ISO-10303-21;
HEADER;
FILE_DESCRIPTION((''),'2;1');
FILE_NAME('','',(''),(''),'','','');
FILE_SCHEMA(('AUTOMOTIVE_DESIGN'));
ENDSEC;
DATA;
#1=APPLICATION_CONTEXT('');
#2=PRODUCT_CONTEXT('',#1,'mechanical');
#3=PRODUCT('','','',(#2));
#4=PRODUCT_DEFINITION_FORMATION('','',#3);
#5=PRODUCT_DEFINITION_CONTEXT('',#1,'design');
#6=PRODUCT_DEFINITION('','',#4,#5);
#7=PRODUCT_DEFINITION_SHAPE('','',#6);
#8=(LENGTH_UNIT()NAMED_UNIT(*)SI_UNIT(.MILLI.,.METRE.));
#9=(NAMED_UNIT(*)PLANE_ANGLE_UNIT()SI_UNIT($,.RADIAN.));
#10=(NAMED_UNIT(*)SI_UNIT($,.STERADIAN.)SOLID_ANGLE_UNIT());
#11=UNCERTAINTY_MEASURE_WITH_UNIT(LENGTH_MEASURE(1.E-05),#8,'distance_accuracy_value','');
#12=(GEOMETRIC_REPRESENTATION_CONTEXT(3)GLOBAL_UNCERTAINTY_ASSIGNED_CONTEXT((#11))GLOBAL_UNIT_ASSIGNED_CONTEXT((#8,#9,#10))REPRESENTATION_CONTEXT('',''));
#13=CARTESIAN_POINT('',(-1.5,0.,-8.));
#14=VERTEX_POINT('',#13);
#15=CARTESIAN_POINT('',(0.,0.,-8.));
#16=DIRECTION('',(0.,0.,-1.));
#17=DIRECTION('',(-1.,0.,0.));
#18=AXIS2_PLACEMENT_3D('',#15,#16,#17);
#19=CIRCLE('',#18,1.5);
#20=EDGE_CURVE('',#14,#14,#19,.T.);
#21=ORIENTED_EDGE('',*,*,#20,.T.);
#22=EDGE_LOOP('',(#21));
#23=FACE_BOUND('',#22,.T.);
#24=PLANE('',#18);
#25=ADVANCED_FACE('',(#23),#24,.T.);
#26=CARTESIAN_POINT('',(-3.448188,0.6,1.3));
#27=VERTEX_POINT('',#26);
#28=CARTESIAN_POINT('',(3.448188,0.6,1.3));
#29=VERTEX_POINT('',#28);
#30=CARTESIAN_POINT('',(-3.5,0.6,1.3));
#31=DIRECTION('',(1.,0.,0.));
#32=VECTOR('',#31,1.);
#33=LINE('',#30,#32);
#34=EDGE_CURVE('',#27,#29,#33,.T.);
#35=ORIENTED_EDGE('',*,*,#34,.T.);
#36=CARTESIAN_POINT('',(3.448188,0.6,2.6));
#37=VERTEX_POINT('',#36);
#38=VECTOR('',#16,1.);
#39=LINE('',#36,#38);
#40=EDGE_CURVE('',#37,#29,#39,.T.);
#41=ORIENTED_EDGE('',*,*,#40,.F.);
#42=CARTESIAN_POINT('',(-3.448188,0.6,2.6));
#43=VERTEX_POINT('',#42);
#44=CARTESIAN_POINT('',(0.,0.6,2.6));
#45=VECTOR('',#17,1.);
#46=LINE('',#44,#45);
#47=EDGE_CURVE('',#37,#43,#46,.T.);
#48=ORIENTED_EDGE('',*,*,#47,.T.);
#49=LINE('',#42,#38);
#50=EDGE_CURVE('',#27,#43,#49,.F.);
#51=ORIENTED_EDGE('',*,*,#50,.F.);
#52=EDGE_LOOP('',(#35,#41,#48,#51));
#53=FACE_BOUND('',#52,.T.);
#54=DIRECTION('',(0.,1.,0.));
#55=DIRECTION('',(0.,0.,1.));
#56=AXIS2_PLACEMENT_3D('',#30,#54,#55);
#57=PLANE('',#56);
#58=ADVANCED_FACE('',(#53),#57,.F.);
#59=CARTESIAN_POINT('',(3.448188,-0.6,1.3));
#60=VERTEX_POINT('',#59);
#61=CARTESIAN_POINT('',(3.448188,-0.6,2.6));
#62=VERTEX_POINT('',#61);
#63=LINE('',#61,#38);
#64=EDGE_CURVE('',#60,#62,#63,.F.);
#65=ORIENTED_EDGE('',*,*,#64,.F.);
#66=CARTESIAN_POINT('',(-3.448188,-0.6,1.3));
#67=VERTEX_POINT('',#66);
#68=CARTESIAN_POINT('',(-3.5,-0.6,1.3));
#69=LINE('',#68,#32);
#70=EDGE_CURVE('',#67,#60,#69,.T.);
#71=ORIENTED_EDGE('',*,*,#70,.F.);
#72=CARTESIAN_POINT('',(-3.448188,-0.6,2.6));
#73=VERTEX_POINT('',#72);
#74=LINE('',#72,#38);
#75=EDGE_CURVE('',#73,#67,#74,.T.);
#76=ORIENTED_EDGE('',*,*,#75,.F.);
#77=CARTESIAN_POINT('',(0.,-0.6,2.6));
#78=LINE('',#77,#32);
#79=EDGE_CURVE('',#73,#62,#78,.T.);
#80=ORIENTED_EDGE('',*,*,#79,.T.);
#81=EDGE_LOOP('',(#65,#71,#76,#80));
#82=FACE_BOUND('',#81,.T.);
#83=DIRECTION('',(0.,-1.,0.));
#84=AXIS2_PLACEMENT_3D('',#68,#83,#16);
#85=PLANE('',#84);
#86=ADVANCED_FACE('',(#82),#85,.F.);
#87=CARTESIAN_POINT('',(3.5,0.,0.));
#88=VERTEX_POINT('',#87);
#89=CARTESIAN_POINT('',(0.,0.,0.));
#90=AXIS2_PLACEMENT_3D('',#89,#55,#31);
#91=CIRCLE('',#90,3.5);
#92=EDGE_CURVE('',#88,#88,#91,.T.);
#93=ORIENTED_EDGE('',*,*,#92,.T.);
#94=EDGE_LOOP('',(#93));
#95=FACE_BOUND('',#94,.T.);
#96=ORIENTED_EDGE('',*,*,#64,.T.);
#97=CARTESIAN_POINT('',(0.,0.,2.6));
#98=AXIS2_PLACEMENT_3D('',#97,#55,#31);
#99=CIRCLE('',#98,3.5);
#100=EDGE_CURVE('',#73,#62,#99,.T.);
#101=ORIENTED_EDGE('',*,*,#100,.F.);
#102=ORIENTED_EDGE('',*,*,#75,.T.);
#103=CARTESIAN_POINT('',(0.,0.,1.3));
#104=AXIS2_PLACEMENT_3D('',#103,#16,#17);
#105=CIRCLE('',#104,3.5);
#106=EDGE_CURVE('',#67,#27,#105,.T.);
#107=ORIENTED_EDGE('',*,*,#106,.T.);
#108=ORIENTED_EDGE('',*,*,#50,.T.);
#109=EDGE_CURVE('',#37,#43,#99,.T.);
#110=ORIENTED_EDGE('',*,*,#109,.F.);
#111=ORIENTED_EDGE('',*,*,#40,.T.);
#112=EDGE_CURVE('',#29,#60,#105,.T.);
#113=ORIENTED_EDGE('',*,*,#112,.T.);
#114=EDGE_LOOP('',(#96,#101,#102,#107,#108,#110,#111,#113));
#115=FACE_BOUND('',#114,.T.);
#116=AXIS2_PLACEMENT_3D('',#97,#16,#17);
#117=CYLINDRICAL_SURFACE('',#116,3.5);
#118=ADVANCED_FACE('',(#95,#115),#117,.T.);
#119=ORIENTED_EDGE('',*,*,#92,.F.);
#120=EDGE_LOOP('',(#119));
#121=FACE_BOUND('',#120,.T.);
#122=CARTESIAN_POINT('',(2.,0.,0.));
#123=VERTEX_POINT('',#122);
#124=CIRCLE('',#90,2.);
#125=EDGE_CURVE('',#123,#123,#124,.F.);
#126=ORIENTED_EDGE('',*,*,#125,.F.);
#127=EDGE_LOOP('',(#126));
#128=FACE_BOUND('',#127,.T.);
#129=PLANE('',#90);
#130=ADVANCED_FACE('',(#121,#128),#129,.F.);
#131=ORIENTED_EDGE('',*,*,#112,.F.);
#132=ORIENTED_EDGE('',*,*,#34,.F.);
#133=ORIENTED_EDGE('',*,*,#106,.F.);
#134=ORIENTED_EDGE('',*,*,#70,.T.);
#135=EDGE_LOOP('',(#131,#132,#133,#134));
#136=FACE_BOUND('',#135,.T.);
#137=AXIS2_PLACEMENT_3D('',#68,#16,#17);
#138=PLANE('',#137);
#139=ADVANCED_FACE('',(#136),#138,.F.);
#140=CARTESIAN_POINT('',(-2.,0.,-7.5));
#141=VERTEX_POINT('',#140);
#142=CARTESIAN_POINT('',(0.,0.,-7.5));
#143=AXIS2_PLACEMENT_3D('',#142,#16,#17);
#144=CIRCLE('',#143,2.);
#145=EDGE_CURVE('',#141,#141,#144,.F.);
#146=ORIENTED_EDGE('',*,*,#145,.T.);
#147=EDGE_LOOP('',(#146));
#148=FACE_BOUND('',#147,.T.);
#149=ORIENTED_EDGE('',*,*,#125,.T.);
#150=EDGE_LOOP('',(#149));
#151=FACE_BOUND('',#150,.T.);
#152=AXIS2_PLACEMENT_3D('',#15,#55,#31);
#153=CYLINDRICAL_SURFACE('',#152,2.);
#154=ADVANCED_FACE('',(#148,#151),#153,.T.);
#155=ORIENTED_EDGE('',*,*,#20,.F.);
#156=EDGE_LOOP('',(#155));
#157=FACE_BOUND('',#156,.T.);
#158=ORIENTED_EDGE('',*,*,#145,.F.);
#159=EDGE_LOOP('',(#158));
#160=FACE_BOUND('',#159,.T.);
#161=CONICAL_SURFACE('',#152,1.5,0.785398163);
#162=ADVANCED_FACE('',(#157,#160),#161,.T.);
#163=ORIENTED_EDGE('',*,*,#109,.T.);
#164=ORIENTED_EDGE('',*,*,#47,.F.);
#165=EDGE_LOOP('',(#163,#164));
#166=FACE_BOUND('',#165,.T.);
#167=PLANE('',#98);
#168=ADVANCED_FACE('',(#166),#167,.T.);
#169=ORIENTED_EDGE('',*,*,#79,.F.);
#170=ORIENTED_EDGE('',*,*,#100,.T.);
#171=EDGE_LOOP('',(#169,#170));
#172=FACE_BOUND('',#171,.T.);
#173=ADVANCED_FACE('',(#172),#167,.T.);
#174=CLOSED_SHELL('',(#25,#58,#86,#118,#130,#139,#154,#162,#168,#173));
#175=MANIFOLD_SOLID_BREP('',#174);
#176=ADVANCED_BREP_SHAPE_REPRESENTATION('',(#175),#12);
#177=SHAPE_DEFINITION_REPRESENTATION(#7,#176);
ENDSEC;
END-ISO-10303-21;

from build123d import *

# Parameters (mm, degrees)
SKETCH_1_R               = 3.5
EXTRUDE_1_DEPTH          = 2.6
SKETCH_2_R               = 2
EXTRUDE_2_DEPTH          = 8
CHAMFER_1_SIZE           = 0.5
CUT_EXTRUDE_1_DEPTH      = 10.407443861
CUT_EXTRUDE_1_DEPTH_BACK = 10.407443861
SKETCH_3_W               = 1.3
SKETCH_3_H               = 1.2


with BuildPart() as part:
    # Эскиз1 → Бобышка-Вытянуть1 (new body)
    with BuildSketch(Plane.XY):
        Circle(SKETCH_1_R)
    extrude(amount=EXTRUDE_1_DEPTH)

    # Эскиз2 → Бобышка-Вытянуть2 (add)
    with BuildSketch(Plane(origin=(0, 0, 0), x_dir=(-1, 0, 0), z_dir=(0, 0, -1))):
        with Locations(Location((0, 0, 0), (0, 0, 180))):
            Circle(SKETCH_2_R)
    extrude(amount=EXTRUDE_2_DEPTH)

    # Фаска1
    chamfer_1_edges = [part.edges().sort_by_distance(p)[0] for p in [
        (-2, 0, -8),
    ]]
    chamfer(chamfer_1_edges, length=CHAMFER_1_SIZE)

    # Эскиз3 → Вырез-Вытянуть1 (cut, two sides: drawn at the far end of the back side and taken through both)
    with BuildSketch(Plane(origin=(0, 0, 0), x_dir=(0, 0, -1), z_dir=(1, 0, 0)).offset(-CUT_EXTRUDE_1_DEPTH_BACK)):
        with Locations((-1.95, 0)):
            Rectangle(SKETCH_3_W, SKETCH_3_H)
    extrude(amount=CUT_EXTRUDE_1_DEPTH + CUT_EXTRUDE_1_DEPTH_BACK, mode=Mode.SUBTRACT)


solid = part.part
